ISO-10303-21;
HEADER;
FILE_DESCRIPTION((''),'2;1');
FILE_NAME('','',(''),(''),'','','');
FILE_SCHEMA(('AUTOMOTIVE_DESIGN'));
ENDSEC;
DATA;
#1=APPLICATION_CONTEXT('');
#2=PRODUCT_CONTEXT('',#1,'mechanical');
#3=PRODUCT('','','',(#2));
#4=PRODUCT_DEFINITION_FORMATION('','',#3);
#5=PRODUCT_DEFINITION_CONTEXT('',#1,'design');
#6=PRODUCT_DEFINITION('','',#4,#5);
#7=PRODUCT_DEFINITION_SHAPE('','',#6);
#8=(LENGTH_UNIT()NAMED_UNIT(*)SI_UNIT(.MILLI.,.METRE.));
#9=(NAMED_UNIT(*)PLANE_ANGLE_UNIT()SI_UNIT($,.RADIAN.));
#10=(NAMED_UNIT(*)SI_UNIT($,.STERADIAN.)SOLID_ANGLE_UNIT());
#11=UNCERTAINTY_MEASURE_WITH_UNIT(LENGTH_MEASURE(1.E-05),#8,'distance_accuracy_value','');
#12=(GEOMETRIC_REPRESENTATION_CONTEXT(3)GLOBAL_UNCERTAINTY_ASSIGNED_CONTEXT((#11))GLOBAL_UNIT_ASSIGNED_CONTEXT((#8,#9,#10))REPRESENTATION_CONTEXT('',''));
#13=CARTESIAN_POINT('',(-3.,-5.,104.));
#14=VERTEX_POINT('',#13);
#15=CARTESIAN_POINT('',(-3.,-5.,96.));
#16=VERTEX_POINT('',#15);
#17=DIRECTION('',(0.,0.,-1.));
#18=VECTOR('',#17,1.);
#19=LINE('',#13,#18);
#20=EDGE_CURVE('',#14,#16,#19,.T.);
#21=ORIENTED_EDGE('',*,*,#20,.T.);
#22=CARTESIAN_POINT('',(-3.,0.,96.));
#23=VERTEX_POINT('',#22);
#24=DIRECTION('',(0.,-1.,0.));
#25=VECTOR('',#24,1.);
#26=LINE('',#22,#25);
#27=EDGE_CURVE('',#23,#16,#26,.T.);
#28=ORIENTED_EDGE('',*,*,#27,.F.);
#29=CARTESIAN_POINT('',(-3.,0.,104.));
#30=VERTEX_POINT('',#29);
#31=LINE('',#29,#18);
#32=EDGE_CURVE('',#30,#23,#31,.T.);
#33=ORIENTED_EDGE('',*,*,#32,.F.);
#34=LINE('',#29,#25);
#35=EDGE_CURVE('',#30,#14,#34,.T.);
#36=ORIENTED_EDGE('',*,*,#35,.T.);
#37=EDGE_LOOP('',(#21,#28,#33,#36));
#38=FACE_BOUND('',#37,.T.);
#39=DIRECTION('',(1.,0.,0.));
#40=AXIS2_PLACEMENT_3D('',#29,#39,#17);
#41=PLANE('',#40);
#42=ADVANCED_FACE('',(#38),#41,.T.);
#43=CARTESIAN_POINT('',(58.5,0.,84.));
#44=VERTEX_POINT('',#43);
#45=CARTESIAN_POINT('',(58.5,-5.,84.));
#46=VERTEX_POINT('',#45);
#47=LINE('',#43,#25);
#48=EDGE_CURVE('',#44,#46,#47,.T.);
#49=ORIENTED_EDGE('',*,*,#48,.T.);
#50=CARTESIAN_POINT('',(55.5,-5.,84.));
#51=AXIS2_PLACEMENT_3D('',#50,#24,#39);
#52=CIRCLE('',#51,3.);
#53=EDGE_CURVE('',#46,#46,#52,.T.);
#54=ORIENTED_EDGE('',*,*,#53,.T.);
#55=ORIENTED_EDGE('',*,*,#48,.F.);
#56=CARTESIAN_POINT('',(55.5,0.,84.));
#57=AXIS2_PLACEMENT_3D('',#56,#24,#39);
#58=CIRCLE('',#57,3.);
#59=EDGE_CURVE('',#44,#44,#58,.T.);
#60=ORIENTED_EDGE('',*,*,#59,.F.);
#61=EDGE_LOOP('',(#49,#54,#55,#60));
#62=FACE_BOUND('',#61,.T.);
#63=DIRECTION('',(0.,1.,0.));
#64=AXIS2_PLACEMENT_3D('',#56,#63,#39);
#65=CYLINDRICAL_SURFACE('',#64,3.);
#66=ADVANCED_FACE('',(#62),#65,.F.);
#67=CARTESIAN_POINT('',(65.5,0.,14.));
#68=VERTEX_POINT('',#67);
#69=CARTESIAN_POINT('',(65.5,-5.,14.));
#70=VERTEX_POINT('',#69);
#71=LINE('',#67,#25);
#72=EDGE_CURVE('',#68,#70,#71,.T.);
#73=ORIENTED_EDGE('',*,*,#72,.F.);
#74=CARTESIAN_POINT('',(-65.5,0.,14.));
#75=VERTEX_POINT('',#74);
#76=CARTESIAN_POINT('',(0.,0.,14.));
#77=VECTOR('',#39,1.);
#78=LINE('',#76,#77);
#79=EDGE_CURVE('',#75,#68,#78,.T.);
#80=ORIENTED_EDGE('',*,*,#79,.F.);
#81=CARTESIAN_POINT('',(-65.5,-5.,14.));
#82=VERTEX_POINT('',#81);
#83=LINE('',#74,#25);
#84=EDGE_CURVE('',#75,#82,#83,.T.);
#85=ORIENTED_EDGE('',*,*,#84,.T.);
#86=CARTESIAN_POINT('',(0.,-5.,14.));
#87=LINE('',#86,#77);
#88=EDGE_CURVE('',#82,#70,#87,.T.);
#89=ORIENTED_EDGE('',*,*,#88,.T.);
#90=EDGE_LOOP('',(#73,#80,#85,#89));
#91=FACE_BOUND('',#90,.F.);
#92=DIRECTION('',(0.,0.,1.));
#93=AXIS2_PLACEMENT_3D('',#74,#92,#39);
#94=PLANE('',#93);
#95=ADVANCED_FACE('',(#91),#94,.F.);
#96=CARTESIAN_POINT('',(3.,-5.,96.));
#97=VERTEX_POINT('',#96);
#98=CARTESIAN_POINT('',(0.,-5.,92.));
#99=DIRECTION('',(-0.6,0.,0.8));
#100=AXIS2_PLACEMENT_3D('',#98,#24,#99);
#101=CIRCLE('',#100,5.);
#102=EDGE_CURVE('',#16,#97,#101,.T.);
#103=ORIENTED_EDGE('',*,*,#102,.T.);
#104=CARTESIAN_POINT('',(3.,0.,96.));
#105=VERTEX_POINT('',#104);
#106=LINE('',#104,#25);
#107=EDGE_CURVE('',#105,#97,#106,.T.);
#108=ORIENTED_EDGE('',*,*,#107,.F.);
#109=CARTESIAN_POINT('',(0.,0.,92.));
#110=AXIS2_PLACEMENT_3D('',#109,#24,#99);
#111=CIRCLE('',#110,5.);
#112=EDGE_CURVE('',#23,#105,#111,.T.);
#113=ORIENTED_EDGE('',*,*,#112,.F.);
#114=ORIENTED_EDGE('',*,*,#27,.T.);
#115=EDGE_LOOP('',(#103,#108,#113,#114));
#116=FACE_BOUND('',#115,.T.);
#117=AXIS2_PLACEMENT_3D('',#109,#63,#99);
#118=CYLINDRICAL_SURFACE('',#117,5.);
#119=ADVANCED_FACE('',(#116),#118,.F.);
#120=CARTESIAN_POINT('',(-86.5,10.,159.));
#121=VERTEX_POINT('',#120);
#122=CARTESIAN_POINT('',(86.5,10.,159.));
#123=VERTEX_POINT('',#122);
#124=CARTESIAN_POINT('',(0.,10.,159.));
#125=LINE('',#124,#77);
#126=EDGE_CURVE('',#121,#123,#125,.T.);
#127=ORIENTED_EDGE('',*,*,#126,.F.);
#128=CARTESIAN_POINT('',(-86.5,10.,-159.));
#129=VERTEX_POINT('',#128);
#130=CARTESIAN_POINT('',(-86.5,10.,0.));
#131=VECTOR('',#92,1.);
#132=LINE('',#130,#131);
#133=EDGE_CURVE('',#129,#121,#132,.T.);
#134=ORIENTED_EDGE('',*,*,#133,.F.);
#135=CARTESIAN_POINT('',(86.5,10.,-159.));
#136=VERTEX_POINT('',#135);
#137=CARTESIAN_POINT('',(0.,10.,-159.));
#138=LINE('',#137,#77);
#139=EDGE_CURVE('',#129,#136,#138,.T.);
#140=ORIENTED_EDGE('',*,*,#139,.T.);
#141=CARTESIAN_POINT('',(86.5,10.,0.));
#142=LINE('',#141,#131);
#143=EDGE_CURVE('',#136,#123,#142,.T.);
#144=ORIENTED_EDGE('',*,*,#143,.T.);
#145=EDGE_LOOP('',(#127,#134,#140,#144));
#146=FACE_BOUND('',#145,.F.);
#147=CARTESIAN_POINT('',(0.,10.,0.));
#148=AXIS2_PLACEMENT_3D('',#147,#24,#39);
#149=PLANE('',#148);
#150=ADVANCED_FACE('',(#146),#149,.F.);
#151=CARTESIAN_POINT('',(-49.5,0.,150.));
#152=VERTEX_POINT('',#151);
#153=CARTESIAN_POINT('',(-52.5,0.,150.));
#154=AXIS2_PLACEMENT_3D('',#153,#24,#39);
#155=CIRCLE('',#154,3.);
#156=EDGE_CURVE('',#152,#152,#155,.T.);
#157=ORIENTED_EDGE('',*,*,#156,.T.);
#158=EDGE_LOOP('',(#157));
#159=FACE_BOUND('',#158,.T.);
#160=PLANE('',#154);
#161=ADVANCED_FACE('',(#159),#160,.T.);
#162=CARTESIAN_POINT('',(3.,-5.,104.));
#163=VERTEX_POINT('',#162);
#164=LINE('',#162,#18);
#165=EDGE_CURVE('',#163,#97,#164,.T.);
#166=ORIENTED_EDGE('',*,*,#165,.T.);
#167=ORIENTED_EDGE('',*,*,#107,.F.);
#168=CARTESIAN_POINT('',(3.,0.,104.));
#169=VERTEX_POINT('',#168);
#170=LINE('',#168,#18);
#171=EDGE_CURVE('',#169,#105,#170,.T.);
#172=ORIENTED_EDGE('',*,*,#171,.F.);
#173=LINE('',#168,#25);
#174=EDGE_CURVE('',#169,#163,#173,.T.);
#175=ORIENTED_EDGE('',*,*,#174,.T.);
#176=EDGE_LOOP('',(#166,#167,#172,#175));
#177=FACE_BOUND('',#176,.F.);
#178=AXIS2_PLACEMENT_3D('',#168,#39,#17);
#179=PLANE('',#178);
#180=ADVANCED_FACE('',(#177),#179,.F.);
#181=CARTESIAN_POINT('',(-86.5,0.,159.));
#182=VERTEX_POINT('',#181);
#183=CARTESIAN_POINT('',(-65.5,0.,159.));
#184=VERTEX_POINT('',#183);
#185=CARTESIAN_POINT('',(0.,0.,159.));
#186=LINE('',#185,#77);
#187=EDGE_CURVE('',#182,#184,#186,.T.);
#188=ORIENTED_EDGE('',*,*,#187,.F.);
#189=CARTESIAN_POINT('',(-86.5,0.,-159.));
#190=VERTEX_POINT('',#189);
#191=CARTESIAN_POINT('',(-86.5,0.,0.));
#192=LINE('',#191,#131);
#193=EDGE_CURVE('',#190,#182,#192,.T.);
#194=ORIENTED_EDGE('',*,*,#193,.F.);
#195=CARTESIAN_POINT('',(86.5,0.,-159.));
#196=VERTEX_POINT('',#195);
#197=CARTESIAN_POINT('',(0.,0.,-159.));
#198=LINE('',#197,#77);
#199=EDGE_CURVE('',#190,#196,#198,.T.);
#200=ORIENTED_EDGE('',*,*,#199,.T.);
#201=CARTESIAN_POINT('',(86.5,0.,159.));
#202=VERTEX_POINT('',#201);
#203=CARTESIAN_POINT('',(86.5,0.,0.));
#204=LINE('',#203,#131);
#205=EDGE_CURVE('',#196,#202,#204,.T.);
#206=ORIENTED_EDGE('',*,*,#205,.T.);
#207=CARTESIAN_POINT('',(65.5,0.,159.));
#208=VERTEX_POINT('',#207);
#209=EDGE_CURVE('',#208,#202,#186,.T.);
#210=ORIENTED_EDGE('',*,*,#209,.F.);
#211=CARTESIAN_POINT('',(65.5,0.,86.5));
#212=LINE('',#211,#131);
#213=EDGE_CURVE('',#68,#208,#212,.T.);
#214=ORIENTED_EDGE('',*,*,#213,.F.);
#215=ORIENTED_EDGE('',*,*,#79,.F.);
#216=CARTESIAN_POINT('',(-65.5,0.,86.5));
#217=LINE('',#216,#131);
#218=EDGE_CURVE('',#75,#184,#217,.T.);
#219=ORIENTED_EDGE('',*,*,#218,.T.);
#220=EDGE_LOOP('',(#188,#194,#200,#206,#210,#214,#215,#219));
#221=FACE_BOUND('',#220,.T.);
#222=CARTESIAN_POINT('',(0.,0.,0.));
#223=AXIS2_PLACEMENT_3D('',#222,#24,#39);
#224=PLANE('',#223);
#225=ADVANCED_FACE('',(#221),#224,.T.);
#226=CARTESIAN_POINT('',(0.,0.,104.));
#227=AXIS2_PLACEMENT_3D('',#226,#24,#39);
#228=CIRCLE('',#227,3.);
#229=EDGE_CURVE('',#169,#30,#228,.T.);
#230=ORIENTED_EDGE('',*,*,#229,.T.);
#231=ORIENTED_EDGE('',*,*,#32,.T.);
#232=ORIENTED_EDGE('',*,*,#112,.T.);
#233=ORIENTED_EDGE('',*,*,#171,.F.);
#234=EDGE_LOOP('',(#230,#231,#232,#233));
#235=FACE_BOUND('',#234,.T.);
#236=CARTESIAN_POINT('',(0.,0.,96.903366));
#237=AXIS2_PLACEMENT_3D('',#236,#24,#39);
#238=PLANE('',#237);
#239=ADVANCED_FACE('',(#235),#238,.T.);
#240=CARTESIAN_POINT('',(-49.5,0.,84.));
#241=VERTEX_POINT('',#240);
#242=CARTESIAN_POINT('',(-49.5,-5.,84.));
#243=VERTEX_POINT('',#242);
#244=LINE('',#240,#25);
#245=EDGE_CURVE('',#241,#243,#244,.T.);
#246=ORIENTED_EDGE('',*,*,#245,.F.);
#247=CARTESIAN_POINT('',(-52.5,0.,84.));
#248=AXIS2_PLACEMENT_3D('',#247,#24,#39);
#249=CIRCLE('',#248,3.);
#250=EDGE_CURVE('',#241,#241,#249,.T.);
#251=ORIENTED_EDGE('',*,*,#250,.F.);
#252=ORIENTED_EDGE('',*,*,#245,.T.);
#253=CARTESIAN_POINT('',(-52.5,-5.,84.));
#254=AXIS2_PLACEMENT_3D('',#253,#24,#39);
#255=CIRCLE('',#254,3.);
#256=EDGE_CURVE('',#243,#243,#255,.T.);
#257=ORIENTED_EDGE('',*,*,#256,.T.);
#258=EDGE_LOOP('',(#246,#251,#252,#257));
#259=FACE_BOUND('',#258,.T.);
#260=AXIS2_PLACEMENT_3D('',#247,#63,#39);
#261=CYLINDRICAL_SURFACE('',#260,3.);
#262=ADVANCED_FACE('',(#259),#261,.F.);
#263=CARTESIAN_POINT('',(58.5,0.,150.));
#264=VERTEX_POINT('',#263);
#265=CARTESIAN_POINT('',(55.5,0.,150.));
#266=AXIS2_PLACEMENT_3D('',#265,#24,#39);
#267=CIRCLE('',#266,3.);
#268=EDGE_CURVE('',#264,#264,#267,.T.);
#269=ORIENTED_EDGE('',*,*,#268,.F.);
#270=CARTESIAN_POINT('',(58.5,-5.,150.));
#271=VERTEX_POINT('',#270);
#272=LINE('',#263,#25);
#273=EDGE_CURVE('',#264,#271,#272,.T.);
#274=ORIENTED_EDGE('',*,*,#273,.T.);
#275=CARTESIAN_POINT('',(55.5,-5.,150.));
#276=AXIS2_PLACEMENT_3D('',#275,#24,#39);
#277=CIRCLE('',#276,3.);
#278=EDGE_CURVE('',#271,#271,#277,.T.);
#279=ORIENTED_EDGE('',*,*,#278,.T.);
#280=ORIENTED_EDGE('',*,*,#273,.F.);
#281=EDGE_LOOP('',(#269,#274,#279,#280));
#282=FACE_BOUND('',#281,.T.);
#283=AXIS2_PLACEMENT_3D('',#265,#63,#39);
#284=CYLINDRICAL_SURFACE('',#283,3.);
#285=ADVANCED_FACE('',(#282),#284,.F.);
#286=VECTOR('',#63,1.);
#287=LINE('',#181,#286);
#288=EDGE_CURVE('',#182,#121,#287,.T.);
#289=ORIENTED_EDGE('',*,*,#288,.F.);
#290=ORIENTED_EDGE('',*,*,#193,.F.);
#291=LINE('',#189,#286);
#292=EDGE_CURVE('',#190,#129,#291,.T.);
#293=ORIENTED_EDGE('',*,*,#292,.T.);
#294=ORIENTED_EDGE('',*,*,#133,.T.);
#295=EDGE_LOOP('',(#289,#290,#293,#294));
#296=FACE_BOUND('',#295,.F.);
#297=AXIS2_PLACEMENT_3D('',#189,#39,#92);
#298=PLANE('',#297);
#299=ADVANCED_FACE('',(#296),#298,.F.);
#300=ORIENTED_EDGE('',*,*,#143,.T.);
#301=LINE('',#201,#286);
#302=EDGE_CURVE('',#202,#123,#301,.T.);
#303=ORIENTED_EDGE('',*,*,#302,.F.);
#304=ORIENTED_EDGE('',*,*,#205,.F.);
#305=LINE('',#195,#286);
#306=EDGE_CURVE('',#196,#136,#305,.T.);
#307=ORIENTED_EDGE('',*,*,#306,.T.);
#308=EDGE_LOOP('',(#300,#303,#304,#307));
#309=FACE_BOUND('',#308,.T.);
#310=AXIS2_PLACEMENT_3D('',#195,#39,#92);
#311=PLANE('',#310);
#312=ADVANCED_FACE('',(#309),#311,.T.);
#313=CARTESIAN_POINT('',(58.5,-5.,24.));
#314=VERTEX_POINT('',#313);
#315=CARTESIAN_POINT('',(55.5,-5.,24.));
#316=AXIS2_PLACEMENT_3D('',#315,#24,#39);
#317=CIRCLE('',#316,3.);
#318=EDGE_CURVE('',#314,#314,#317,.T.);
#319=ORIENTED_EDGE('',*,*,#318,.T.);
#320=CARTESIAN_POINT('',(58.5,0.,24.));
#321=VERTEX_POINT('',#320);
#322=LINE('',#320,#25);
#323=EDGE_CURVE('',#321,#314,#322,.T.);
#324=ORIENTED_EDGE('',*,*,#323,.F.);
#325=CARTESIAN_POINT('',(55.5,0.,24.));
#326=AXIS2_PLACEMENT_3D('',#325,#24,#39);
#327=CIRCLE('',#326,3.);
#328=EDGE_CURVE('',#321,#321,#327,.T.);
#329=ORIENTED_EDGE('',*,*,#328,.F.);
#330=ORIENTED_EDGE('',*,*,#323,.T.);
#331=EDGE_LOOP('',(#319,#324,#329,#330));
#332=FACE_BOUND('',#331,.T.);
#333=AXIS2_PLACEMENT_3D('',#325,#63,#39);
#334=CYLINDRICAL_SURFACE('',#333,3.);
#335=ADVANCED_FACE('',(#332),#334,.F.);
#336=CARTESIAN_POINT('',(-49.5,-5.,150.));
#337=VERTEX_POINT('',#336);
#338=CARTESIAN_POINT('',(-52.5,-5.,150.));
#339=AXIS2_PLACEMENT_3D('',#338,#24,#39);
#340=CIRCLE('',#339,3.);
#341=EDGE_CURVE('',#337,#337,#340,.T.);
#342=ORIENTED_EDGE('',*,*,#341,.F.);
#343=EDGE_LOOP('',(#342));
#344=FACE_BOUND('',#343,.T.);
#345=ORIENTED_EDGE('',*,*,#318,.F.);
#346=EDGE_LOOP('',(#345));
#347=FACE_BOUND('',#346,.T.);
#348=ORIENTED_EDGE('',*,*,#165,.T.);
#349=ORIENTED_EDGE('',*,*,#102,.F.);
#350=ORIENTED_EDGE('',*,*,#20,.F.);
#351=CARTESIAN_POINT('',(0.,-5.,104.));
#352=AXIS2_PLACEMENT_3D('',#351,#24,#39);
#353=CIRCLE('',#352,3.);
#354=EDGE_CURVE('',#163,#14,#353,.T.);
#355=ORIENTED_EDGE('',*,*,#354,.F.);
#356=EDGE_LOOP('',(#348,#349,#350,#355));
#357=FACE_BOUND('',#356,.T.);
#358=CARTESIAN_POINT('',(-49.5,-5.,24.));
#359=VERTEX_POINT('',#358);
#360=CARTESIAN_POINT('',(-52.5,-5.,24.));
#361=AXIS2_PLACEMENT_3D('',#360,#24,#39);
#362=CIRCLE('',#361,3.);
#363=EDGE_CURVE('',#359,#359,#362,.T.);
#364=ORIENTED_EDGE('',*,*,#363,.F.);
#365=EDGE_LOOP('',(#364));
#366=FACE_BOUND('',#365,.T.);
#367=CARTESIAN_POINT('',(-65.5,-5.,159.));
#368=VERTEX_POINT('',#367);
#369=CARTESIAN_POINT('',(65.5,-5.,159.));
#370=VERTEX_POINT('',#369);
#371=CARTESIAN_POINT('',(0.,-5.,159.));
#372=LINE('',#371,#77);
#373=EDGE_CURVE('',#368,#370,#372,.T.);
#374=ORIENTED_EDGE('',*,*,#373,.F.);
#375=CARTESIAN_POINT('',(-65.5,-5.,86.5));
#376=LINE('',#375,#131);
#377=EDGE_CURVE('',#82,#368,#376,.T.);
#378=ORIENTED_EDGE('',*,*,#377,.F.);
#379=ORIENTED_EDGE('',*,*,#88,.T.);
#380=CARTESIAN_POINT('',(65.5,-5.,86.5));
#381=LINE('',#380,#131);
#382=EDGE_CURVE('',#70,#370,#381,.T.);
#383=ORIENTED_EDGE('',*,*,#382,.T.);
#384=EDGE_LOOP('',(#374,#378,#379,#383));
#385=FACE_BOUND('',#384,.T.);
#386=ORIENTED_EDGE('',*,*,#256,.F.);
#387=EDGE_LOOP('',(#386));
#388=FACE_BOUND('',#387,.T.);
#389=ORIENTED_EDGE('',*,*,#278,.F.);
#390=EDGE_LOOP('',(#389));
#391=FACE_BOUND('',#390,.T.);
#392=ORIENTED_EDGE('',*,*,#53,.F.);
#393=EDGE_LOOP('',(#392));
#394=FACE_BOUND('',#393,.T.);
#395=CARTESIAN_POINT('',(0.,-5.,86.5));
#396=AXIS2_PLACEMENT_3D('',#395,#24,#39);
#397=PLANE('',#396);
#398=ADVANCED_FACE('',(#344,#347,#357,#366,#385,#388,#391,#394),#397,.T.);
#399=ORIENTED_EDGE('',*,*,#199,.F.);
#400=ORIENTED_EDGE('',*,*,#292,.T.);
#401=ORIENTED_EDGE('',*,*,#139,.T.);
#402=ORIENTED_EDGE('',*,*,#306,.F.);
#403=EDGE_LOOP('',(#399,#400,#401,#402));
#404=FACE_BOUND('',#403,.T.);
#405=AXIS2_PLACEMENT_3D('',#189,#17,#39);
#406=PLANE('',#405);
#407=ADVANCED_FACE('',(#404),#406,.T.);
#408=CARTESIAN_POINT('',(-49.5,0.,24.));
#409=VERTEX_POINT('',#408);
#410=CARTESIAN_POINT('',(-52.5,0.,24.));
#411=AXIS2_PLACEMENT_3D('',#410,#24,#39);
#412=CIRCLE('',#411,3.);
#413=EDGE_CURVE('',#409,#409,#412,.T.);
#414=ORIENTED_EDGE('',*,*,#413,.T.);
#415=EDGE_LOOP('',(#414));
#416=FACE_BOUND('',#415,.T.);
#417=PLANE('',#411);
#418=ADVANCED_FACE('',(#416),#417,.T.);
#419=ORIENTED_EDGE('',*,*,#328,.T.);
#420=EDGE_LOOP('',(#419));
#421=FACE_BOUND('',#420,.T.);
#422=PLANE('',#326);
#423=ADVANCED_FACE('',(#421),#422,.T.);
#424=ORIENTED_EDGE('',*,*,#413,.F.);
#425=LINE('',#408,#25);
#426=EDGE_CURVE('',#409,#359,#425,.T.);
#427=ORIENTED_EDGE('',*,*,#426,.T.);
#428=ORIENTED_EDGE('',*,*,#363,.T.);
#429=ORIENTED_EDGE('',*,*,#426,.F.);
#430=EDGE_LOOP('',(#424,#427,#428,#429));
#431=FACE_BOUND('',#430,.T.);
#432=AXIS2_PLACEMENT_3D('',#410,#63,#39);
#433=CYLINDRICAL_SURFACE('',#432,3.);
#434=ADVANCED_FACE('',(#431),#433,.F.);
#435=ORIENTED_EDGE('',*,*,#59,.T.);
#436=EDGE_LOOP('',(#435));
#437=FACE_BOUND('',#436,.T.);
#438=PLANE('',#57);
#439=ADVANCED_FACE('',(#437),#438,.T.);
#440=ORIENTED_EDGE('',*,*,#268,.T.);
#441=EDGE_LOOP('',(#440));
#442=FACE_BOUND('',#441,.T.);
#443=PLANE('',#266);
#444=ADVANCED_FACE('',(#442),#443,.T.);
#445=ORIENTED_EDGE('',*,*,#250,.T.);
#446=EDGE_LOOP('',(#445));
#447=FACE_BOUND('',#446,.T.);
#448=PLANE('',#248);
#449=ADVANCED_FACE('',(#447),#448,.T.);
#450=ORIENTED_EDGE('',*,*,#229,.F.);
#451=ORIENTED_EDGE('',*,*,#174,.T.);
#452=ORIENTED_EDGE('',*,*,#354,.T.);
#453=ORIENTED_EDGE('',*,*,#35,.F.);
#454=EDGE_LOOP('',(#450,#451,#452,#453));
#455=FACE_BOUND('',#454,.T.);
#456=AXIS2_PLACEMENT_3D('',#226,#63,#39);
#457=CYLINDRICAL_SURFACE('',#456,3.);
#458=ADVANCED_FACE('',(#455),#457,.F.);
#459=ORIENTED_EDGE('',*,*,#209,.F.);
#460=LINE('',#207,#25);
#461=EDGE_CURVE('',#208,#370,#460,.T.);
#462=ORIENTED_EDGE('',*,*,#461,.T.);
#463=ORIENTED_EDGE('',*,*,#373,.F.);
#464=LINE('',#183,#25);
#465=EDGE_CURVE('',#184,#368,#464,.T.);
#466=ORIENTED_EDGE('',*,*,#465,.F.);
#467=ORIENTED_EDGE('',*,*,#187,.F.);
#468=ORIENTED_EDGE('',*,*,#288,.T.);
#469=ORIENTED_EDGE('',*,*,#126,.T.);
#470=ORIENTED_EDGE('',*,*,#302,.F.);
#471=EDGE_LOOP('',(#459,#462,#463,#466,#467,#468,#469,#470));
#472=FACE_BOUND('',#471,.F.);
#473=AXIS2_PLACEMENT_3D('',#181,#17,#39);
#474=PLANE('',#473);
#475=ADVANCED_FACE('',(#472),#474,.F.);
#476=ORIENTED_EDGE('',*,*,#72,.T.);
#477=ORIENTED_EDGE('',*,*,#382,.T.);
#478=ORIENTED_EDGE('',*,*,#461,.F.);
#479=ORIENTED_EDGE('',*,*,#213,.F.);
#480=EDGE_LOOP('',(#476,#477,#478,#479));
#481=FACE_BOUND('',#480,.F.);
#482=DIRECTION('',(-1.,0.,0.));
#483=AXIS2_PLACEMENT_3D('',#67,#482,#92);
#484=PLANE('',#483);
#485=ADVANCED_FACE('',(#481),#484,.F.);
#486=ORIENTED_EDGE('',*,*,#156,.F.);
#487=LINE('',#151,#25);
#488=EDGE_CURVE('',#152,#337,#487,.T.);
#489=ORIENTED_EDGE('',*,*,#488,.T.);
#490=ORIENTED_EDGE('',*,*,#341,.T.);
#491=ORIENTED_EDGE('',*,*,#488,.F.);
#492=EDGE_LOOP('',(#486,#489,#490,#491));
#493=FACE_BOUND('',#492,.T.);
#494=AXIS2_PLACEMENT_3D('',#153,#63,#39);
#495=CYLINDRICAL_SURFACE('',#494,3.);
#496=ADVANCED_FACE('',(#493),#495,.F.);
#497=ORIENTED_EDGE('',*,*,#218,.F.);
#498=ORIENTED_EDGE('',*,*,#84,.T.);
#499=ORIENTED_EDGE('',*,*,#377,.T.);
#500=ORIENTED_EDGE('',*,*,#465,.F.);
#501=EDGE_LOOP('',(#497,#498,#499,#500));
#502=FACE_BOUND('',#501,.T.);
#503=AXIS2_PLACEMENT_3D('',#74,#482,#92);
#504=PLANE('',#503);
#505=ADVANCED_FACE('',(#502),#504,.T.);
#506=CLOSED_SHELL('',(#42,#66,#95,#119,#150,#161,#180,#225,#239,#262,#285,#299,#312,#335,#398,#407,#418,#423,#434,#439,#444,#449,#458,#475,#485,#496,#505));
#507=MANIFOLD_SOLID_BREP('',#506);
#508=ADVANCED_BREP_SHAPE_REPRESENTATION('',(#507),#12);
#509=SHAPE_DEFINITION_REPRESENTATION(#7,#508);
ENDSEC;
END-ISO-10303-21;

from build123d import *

# Parameters (mm, degrees)
SKETCH_W     = 173
SKETCH_H     = 318
PAD_DEPTH    = 10
SKETCH001_W  = 131
SKETCH001_H  = 145
PAD001_DEPTH = 5
SKETCH002_R  = 3
POCKET_DEPTH = 5


with BuildPart() as part:
    # Sketch → Pad (new body)
    with BuildSketch(Plane.XZ):
        Rectangle(SKETCH_W, SKETCH_H)
    extrude(amount=-PAD_DEPTH)

    # Sketch001 → Pad001 (join)
    with BuildSketch(Plane.XZ):
        with Locations((0, 86.5)):
            Rectangle(SKETCH001_W, SKETCH001_H)
    extrude(amount=PAD001_DEPTH)

    # Sketch002 → Pocket (cut)
    with BuildSketch(Plane.XZ):
        with Locations((-52.5, 150)):
            Circle(SKETCH002_R)
        with Locations((-52.5, 84)):
            Circle(SKETCH002_R)
        with Locations((-52.5, 24)):
            Circle(SKETCH002_R)
        with Locations((55.5, 150)):
            Circle(SKETCH002_R)
        with Locations((55.5, 84)):
            Circle(SKETCH002_R)
        with Locations((55.5, 24)):
            Circle(SKETCH002_R)
        with BuildLine():
            ThreePointArc((3, 104), (0, 107), (-3, 104))
            Line((-3, 104), (-3, 96))
            ThreePointArc((-3, 96), (0, 87), (3, 96))
            Line((3, 104), (3, 96))
        make_face()
    extrude(amount=POCKET_DEPTH, mode=Mode.SUBTRACT)


solid = part.part
